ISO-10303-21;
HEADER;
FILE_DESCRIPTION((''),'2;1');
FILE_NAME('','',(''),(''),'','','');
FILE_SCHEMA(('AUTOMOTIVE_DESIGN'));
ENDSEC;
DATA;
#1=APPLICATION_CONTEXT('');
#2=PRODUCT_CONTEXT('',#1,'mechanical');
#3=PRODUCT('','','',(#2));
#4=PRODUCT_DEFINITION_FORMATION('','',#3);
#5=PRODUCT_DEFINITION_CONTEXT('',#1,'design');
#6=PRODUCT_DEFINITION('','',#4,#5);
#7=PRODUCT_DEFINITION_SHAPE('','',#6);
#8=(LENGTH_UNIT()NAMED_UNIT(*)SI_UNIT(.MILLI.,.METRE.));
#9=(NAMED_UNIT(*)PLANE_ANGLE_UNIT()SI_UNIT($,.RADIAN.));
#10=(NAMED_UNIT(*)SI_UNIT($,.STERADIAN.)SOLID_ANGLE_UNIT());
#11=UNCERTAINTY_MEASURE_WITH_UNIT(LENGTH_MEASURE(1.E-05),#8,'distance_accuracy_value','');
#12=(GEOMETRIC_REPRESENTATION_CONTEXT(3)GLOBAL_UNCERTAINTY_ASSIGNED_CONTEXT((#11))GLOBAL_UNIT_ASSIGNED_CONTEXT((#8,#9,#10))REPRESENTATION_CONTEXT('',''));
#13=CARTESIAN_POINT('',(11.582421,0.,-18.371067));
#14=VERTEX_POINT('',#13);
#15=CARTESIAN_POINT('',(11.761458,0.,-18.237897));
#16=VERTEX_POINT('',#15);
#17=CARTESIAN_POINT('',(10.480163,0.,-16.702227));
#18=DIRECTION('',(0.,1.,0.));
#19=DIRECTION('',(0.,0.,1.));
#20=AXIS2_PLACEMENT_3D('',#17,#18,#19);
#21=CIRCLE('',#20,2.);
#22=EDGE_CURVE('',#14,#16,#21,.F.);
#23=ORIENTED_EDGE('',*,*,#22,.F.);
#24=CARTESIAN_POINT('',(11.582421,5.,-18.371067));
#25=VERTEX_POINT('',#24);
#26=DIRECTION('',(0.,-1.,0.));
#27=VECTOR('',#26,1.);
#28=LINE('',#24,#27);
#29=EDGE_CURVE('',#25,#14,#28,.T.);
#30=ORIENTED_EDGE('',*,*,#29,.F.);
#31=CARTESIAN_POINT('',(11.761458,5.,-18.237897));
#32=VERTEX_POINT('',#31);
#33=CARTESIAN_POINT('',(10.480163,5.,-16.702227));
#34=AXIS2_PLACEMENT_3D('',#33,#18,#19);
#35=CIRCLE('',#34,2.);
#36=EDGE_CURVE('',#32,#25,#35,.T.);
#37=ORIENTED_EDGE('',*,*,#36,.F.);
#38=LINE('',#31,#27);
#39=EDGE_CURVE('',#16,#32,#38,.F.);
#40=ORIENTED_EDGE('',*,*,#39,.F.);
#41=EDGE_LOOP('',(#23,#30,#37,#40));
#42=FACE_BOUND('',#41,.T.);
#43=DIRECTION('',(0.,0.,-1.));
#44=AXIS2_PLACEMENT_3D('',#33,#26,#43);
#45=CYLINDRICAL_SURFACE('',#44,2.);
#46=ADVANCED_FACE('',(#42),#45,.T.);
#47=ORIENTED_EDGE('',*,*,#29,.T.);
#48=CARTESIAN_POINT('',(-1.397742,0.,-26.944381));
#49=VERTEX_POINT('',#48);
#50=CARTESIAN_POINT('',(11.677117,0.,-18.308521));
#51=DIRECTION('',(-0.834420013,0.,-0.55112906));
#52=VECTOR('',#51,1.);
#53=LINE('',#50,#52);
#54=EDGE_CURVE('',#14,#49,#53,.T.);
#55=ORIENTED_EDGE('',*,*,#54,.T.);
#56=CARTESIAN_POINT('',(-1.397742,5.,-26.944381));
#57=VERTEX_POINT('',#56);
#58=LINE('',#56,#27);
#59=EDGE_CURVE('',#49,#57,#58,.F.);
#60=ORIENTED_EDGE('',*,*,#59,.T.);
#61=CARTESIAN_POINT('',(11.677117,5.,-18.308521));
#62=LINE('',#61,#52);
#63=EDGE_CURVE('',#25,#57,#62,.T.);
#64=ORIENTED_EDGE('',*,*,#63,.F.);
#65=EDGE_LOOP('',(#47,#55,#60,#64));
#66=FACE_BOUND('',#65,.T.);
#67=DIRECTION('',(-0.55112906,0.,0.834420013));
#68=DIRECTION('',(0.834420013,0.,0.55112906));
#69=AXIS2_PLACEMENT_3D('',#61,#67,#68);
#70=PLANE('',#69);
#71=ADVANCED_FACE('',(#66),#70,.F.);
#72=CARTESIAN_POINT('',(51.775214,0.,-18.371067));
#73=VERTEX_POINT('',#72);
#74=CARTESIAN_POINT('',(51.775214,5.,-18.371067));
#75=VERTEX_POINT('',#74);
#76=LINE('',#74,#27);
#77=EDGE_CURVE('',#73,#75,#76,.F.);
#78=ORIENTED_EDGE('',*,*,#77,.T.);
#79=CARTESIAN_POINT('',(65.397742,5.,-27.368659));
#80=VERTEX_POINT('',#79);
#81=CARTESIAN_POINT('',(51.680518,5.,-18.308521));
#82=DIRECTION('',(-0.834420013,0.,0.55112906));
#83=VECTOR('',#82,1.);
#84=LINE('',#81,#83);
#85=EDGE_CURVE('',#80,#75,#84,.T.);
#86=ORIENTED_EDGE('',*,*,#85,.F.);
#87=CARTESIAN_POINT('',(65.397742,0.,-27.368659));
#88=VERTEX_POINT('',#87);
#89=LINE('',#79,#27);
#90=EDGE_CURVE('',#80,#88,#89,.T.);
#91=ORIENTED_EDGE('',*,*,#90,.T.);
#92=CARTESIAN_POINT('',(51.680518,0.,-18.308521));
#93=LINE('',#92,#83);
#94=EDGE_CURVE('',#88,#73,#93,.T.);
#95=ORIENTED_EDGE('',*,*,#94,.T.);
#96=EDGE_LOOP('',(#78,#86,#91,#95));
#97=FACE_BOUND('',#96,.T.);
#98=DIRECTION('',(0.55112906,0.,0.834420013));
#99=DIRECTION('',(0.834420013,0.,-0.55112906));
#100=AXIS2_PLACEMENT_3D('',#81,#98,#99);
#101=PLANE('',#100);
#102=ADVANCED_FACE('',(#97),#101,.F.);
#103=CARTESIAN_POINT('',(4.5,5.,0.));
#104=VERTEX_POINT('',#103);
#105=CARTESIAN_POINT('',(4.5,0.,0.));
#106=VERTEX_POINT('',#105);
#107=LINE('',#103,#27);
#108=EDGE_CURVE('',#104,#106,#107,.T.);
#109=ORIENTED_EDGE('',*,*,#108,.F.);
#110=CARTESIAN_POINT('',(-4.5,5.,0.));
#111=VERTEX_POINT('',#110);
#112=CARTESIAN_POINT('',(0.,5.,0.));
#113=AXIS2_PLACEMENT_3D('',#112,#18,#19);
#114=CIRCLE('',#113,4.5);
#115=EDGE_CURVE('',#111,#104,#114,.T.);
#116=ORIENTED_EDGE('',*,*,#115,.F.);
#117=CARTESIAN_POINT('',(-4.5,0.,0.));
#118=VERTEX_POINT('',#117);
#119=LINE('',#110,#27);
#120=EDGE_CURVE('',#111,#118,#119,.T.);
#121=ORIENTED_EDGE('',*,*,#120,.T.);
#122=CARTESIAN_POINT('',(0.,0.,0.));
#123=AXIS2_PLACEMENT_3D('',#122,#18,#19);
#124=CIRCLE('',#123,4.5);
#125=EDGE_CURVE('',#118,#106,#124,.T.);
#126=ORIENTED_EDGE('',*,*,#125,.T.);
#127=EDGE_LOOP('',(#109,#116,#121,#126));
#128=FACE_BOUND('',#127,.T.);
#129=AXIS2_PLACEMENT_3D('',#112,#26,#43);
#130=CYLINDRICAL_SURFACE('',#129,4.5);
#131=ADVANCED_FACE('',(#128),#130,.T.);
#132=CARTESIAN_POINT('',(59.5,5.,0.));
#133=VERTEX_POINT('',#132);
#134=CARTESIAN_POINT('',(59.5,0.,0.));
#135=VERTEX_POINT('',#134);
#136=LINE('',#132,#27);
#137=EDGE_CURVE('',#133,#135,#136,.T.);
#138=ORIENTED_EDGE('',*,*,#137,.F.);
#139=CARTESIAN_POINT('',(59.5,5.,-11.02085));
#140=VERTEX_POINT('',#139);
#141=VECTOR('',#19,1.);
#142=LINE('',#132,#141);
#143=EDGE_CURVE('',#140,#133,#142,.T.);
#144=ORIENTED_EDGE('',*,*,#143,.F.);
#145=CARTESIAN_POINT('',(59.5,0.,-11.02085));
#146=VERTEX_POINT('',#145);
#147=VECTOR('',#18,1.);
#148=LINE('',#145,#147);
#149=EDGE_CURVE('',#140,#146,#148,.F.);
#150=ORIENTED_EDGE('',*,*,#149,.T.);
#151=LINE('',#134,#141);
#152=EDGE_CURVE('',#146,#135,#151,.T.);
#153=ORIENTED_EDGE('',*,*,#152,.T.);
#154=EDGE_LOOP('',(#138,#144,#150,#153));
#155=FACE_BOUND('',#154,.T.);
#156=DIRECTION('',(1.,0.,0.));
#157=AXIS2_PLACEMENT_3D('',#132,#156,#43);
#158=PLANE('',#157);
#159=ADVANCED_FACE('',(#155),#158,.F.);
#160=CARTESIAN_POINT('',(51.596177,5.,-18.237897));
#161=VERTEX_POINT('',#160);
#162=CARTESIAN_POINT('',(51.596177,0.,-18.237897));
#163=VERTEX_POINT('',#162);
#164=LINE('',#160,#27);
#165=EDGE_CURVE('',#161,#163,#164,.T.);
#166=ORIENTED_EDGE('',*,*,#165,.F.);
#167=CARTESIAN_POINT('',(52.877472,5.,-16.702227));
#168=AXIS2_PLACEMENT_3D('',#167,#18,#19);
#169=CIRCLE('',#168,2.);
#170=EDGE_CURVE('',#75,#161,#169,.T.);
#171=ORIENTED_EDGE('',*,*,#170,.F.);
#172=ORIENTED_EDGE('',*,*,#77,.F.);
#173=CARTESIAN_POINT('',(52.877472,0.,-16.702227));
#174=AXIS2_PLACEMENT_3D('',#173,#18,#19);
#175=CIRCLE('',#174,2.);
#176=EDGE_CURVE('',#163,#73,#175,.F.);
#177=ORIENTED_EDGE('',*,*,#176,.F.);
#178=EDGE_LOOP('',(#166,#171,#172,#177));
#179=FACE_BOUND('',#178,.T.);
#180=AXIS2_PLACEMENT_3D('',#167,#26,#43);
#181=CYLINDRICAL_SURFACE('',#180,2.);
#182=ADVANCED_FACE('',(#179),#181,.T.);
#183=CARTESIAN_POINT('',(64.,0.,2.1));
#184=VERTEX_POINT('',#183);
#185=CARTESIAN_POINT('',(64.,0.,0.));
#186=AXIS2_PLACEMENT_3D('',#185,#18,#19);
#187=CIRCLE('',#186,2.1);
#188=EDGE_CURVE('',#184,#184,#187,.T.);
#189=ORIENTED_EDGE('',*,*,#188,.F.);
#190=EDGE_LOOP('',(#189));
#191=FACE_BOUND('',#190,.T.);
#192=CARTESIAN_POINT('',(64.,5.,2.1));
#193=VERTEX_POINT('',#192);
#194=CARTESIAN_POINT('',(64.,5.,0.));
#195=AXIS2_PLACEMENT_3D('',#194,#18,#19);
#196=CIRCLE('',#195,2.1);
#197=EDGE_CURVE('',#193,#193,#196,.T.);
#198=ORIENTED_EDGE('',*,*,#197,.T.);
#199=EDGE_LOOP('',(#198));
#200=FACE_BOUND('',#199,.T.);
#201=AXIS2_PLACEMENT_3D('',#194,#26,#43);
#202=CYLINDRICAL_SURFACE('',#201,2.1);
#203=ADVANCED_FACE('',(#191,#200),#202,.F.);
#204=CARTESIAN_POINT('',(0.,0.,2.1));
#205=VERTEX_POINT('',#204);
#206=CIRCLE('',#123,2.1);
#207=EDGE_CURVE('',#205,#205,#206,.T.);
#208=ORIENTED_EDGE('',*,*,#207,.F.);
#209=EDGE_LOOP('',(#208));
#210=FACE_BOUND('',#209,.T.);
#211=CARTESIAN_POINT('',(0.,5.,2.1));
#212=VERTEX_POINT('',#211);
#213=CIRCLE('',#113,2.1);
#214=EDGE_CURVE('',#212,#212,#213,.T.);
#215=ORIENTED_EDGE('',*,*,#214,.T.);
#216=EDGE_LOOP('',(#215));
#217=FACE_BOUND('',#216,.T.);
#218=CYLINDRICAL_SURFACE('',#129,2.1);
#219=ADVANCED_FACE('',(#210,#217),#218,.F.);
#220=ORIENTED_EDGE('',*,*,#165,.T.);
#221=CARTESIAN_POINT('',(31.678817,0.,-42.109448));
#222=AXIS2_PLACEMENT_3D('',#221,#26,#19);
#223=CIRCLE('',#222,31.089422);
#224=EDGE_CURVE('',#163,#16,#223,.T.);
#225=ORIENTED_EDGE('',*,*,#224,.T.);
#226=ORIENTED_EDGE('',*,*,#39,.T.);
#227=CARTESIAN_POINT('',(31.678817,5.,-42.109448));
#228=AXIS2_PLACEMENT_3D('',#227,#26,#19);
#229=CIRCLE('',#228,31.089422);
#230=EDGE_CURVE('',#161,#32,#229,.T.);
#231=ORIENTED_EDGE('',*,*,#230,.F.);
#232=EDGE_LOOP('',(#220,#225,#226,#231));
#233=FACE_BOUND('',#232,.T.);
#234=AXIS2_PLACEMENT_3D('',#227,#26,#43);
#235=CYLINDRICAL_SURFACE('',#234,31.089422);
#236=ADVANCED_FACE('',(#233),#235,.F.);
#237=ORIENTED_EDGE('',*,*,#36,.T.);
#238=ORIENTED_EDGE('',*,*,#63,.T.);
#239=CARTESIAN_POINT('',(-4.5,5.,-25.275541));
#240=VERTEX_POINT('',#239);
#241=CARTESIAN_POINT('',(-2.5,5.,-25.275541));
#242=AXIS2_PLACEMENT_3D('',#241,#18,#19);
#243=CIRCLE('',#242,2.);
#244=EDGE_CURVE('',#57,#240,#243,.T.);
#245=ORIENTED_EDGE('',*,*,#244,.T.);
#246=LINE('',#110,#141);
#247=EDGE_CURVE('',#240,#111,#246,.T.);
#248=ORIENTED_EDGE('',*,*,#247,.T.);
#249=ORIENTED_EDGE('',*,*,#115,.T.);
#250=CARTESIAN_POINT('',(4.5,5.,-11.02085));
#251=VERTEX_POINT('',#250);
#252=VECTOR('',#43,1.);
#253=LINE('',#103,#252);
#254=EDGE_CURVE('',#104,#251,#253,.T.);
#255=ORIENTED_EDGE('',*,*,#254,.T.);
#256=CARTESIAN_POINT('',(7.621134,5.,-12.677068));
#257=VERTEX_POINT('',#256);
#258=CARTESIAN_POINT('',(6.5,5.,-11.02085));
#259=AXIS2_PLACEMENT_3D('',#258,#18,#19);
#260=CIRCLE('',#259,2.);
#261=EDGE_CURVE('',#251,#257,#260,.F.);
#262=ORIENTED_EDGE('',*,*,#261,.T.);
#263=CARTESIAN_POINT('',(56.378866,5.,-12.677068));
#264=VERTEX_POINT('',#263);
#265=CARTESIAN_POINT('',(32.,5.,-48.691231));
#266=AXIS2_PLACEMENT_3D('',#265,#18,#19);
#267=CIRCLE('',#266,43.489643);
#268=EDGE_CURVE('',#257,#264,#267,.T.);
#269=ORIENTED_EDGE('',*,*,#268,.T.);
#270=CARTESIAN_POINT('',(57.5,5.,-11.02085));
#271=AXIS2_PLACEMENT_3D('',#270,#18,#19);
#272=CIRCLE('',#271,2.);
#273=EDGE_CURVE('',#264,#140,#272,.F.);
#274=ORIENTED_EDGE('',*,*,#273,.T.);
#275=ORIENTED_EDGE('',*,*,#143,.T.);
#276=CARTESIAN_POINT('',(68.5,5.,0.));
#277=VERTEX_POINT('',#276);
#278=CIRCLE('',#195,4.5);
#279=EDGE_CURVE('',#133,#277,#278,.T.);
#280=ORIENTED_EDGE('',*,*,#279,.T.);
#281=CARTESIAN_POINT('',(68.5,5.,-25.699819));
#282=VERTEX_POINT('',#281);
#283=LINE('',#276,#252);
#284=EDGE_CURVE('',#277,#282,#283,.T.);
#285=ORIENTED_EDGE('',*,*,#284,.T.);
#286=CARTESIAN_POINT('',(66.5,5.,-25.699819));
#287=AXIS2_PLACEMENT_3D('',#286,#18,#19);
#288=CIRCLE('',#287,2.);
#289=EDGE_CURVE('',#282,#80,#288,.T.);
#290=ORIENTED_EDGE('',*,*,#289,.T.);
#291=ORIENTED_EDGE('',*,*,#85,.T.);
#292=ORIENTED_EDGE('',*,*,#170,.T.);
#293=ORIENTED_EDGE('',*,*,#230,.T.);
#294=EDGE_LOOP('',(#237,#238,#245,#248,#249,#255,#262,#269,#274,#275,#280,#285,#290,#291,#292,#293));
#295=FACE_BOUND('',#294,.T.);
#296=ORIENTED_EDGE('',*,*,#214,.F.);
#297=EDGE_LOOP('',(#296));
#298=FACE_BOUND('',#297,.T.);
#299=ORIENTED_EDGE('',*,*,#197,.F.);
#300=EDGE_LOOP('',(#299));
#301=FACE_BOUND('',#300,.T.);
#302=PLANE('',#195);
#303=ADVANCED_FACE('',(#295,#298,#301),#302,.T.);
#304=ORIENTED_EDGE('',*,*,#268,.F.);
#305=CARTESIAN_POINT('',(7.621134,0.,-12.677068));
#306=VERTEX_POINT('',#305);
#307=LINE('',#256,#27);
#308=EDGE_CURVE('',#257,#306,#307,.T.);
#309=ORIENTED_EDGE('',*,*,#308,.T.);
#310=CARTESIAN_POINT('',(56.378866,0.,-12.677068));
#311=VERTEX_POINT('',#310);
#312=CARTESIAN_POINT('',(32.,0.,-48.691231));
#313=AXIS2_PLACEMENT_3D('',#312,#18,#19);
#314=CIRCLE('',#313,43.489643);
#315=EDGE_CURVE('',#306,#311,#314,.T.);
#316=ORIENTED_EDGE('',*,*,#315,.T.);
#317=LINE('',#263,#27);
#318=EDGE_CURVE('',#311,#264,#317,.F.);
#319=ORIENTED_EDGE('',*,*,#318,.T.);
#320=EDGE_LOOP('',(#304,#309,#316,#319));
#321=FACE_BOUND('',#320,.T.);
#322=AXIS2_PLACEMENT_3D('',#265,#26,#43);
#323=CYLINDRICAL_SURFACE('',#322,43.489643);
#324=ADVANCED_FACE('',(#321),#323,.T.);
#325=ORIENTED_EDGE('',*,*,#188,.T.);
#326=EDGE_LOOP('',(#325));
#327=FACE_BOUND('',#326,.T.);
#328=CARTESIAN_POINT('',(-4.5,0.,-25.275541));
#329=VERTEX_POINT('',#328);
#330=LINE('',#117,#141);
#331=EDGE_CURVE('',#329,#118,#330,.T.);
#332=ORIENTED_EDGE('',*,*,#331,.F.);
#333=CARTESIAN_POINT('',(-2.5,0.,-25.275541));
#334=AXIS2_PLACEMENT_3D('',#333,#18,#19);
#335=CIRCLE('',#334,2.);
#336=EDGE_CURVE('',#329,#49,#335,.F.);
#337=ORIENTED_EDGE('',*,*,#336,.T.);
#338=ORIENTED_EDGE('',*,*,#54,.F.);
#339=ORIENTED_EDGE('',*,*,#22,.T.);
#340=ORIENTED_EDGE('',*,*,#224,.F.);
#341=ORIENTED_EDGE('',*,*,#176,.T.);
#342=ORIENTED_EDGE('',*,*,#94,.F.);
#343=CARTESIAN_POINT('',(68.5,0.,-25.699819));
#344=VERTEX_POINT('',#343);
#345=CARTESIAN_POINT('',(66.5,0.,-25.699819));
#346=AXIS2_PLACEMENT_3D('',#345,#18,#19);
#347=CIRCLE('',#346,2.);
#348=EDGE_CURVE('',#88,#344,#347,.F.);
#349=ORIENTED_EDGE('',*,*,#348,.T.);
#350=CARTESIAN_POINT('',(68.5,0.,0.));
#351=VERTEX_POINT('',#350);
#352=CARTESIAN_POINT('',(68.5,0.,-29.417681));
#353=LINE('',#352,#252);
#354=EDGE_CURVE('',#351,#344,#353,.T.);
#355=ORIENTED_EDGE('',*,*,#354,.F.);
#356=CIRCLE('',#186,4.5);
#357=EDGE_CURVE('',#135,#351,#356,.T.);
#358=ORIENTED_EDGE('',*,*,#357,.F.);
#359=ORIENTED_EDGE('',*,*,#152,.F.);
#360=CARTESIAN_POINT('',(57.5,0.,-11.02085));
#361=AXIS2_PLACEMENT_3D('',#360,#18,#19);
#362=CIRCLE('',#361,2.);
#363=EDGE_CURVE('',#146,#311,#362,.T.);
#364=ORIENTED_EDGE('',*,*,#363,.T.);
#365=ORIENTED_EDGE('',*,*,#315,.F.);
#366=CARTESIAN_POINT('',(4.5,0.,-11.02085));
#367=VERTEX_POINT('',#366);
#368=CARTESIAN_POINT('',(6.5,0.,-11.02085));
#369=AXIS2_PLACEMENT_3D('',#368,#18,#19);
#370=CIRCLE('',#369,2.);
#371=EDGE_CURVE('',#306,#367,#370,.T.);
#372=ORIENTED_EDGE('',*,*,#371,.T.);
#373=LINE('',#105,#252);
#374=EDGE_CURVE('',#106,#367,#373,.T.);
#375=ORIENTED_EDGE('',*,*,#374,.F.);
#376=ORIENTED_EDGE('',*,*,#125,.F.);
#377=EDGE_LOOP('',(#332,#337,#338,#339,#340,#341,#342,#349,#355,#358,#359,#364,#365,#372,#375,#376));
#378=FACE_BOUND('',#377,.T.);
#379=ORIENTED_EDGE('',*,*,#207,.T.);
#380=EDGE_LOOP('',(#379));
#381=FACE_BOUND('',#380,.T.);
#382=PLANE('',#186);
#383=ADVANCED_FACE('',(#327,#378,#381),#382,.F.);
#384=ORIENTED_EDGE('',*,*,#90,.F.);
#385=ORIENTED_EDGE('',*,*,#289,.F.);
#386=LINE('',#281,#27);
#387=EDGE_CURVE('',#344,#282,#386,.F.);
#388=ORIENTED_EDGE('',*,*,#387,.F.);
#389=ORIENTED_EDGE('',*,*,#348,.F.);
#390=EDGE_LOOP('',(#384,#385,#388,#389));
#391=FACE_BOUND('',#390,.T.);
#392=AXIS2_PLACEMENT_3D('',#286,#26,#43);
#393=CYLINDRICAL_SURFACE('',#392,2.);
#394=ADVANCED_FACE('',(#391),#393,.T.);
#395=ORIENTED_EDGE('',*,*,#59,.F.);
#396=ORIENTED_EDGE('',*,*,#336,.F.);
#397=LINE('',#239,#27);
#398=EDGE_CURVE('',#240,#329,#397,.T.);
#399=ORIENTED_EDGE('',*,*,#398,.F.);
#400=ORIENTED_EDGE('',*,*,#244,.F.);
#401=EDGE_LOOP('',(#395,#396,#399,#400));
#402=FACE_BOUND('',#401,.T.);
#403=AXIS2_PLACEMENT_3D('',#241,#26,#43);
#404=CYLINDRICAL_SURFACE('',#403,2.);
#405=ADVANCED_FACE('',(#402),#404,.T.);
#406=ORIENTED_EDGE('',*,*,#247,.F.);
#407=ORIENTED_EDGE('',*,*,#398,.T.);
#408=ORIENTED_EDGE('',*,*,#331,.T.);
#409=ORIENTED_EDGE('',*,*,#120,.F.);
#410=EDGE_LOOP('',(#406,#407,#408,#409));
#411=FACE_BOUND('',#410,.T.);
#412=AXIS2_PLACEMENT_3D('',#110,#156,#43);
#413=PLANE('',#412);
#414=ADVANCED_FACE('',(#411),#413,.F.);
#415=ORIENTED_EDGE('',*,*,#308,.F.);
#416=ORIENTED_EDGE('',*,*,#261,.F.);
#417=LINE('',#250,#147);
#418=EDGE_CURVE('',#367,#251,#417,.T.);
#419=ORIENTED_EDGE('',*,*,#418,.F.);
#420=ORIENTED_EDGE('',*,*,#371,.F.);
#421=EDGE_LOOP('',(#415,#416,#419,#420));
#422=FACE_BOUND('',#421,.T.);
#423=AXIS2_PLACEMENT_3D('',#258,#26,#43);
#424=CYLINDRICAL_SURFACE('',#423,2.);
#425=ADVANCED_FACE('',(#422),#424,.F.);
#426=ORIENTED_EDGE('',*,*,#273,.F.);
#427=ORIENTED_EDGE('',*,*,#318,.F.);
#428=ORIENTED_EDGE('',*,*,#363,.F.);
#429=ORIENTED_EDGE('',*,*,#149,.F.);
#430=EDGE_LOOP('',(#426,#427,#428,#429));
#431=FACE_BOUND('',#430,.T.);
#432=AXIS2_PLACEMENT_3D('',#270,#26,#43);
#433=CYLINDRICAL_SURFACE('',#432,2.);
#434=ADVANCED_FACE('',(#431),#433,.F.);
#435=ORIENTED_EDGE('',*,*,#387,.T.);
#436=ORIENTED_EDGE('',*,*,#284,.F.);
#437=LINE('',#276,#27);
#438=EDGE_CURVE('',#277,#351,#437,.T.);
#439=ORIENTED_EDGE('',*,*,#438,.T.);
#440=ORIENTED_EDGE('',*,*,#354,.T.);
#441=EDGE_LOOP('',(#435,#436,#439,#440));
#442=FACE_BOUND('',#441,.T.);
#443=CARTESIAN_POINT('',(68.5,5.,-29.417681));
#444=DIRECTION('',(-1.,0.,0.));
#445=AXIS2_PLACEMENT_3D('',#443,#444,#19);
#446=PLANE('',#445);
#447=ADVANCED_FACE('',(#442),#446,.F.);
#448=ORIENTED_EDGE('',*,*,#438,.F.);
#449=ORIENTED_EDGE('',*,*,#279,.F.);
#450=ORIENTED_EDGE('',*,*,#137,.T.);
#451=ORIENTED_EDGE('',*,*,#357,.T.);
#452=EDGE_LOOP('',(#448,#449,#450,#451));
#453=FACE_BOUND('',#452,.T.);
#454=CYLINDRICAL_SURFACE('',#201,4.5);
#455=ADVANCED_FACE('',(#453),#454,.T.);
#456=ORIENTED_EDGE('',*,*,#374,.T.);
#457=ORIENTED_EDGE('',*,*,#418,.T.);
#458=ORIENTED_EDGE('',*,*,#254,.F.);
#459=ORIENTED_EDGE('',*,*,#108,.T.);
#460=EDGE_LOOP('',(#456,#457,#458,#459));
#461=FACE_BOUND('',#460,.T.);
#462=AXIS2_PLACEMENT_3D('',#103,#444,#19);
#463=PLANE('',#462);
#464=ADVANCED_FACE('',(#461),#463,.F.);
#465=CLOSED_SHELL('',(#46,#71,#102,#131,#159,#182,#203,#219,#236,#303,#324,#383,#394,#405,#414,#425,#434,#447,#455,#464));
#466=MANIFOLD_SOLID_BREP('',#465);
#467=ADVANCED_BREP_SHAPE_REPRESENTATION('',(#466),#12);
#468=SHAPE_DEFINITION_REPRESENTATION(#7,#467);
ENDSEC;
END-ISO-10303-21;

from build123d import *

# Parameters (mm, degrees)
SKETCH1_R           = 2.1
BOSS_EXTRUDE1_DEPTH = 5
FILLET2_R           = 2


with BuildPart() as part:
    # Sketch1 → Boss-Extrude1 (new body)
    with BuildSketch(Plane(origin=(0, 0, 0), x_dir=(1, 0, 0), z_dir=(0, 1, 0))):
        with BuildLine():
            Line((68.5, 0), (68.5, 15))
            Line((68.5, 15), (68.5, 24.639286301))
            Line((68.5, 24.639286301), (68.5, 29.417680708))
            Line((68.5, 29.417680708), (51.680517538, 18.308520556))
            ThreePointArc((51.680517538, 18.308520556), (31.678817451, 11.020026075), (11.677117365, 18.308520556))
            Line((11.677117365, 18.308520556), (-4.5, 28.993402687))
            Line((-4.5, 28.993402687), (-4.5, 0))
            ThreePointArc((-4.5, 0), (0, -4.5), (4.5, 0))
            Line((4.5, 0), (4.5, 15))
            ThreePointArc((4.5, 15), (32, 5.201587921), (59.5, 15))
            Line((59.5, 15), (59.5, 0))
            ThreePointArc((59.5, 0), (64, -4.5), (68.5, 0))
        make_face()
        with Locations(Location((0, 0, 0), (0, 0, 270))):
            Circle(SKETCH1_R, mode=Mode.SUBTRACT)
        with Locations(Location((64, 0, 0), (0, 0, 270))):
            Circle(SKETCH1_R, mode=Mode.SUBTRACT)
    extrude(amount=BOSS_EXTRUDE1_DEPTH)

    # Fillet2
    fillet2_edges = [part.edges().sort_by_distance(p)[0] for p in [
        (59.5, 2.5, -15),
        (4.5, 2.5, -15),
        (-4.5, 2.5, -28.993402687),
        (11.677117365, 2.5, -18.308520556),
        (51.680517538, 2.5, -18.308520556),
        (68.5, 2.5, -29.417680708),
    ]]
    fillet(fillet2_edges, radius=FILLET2_R)


solid = part.part
